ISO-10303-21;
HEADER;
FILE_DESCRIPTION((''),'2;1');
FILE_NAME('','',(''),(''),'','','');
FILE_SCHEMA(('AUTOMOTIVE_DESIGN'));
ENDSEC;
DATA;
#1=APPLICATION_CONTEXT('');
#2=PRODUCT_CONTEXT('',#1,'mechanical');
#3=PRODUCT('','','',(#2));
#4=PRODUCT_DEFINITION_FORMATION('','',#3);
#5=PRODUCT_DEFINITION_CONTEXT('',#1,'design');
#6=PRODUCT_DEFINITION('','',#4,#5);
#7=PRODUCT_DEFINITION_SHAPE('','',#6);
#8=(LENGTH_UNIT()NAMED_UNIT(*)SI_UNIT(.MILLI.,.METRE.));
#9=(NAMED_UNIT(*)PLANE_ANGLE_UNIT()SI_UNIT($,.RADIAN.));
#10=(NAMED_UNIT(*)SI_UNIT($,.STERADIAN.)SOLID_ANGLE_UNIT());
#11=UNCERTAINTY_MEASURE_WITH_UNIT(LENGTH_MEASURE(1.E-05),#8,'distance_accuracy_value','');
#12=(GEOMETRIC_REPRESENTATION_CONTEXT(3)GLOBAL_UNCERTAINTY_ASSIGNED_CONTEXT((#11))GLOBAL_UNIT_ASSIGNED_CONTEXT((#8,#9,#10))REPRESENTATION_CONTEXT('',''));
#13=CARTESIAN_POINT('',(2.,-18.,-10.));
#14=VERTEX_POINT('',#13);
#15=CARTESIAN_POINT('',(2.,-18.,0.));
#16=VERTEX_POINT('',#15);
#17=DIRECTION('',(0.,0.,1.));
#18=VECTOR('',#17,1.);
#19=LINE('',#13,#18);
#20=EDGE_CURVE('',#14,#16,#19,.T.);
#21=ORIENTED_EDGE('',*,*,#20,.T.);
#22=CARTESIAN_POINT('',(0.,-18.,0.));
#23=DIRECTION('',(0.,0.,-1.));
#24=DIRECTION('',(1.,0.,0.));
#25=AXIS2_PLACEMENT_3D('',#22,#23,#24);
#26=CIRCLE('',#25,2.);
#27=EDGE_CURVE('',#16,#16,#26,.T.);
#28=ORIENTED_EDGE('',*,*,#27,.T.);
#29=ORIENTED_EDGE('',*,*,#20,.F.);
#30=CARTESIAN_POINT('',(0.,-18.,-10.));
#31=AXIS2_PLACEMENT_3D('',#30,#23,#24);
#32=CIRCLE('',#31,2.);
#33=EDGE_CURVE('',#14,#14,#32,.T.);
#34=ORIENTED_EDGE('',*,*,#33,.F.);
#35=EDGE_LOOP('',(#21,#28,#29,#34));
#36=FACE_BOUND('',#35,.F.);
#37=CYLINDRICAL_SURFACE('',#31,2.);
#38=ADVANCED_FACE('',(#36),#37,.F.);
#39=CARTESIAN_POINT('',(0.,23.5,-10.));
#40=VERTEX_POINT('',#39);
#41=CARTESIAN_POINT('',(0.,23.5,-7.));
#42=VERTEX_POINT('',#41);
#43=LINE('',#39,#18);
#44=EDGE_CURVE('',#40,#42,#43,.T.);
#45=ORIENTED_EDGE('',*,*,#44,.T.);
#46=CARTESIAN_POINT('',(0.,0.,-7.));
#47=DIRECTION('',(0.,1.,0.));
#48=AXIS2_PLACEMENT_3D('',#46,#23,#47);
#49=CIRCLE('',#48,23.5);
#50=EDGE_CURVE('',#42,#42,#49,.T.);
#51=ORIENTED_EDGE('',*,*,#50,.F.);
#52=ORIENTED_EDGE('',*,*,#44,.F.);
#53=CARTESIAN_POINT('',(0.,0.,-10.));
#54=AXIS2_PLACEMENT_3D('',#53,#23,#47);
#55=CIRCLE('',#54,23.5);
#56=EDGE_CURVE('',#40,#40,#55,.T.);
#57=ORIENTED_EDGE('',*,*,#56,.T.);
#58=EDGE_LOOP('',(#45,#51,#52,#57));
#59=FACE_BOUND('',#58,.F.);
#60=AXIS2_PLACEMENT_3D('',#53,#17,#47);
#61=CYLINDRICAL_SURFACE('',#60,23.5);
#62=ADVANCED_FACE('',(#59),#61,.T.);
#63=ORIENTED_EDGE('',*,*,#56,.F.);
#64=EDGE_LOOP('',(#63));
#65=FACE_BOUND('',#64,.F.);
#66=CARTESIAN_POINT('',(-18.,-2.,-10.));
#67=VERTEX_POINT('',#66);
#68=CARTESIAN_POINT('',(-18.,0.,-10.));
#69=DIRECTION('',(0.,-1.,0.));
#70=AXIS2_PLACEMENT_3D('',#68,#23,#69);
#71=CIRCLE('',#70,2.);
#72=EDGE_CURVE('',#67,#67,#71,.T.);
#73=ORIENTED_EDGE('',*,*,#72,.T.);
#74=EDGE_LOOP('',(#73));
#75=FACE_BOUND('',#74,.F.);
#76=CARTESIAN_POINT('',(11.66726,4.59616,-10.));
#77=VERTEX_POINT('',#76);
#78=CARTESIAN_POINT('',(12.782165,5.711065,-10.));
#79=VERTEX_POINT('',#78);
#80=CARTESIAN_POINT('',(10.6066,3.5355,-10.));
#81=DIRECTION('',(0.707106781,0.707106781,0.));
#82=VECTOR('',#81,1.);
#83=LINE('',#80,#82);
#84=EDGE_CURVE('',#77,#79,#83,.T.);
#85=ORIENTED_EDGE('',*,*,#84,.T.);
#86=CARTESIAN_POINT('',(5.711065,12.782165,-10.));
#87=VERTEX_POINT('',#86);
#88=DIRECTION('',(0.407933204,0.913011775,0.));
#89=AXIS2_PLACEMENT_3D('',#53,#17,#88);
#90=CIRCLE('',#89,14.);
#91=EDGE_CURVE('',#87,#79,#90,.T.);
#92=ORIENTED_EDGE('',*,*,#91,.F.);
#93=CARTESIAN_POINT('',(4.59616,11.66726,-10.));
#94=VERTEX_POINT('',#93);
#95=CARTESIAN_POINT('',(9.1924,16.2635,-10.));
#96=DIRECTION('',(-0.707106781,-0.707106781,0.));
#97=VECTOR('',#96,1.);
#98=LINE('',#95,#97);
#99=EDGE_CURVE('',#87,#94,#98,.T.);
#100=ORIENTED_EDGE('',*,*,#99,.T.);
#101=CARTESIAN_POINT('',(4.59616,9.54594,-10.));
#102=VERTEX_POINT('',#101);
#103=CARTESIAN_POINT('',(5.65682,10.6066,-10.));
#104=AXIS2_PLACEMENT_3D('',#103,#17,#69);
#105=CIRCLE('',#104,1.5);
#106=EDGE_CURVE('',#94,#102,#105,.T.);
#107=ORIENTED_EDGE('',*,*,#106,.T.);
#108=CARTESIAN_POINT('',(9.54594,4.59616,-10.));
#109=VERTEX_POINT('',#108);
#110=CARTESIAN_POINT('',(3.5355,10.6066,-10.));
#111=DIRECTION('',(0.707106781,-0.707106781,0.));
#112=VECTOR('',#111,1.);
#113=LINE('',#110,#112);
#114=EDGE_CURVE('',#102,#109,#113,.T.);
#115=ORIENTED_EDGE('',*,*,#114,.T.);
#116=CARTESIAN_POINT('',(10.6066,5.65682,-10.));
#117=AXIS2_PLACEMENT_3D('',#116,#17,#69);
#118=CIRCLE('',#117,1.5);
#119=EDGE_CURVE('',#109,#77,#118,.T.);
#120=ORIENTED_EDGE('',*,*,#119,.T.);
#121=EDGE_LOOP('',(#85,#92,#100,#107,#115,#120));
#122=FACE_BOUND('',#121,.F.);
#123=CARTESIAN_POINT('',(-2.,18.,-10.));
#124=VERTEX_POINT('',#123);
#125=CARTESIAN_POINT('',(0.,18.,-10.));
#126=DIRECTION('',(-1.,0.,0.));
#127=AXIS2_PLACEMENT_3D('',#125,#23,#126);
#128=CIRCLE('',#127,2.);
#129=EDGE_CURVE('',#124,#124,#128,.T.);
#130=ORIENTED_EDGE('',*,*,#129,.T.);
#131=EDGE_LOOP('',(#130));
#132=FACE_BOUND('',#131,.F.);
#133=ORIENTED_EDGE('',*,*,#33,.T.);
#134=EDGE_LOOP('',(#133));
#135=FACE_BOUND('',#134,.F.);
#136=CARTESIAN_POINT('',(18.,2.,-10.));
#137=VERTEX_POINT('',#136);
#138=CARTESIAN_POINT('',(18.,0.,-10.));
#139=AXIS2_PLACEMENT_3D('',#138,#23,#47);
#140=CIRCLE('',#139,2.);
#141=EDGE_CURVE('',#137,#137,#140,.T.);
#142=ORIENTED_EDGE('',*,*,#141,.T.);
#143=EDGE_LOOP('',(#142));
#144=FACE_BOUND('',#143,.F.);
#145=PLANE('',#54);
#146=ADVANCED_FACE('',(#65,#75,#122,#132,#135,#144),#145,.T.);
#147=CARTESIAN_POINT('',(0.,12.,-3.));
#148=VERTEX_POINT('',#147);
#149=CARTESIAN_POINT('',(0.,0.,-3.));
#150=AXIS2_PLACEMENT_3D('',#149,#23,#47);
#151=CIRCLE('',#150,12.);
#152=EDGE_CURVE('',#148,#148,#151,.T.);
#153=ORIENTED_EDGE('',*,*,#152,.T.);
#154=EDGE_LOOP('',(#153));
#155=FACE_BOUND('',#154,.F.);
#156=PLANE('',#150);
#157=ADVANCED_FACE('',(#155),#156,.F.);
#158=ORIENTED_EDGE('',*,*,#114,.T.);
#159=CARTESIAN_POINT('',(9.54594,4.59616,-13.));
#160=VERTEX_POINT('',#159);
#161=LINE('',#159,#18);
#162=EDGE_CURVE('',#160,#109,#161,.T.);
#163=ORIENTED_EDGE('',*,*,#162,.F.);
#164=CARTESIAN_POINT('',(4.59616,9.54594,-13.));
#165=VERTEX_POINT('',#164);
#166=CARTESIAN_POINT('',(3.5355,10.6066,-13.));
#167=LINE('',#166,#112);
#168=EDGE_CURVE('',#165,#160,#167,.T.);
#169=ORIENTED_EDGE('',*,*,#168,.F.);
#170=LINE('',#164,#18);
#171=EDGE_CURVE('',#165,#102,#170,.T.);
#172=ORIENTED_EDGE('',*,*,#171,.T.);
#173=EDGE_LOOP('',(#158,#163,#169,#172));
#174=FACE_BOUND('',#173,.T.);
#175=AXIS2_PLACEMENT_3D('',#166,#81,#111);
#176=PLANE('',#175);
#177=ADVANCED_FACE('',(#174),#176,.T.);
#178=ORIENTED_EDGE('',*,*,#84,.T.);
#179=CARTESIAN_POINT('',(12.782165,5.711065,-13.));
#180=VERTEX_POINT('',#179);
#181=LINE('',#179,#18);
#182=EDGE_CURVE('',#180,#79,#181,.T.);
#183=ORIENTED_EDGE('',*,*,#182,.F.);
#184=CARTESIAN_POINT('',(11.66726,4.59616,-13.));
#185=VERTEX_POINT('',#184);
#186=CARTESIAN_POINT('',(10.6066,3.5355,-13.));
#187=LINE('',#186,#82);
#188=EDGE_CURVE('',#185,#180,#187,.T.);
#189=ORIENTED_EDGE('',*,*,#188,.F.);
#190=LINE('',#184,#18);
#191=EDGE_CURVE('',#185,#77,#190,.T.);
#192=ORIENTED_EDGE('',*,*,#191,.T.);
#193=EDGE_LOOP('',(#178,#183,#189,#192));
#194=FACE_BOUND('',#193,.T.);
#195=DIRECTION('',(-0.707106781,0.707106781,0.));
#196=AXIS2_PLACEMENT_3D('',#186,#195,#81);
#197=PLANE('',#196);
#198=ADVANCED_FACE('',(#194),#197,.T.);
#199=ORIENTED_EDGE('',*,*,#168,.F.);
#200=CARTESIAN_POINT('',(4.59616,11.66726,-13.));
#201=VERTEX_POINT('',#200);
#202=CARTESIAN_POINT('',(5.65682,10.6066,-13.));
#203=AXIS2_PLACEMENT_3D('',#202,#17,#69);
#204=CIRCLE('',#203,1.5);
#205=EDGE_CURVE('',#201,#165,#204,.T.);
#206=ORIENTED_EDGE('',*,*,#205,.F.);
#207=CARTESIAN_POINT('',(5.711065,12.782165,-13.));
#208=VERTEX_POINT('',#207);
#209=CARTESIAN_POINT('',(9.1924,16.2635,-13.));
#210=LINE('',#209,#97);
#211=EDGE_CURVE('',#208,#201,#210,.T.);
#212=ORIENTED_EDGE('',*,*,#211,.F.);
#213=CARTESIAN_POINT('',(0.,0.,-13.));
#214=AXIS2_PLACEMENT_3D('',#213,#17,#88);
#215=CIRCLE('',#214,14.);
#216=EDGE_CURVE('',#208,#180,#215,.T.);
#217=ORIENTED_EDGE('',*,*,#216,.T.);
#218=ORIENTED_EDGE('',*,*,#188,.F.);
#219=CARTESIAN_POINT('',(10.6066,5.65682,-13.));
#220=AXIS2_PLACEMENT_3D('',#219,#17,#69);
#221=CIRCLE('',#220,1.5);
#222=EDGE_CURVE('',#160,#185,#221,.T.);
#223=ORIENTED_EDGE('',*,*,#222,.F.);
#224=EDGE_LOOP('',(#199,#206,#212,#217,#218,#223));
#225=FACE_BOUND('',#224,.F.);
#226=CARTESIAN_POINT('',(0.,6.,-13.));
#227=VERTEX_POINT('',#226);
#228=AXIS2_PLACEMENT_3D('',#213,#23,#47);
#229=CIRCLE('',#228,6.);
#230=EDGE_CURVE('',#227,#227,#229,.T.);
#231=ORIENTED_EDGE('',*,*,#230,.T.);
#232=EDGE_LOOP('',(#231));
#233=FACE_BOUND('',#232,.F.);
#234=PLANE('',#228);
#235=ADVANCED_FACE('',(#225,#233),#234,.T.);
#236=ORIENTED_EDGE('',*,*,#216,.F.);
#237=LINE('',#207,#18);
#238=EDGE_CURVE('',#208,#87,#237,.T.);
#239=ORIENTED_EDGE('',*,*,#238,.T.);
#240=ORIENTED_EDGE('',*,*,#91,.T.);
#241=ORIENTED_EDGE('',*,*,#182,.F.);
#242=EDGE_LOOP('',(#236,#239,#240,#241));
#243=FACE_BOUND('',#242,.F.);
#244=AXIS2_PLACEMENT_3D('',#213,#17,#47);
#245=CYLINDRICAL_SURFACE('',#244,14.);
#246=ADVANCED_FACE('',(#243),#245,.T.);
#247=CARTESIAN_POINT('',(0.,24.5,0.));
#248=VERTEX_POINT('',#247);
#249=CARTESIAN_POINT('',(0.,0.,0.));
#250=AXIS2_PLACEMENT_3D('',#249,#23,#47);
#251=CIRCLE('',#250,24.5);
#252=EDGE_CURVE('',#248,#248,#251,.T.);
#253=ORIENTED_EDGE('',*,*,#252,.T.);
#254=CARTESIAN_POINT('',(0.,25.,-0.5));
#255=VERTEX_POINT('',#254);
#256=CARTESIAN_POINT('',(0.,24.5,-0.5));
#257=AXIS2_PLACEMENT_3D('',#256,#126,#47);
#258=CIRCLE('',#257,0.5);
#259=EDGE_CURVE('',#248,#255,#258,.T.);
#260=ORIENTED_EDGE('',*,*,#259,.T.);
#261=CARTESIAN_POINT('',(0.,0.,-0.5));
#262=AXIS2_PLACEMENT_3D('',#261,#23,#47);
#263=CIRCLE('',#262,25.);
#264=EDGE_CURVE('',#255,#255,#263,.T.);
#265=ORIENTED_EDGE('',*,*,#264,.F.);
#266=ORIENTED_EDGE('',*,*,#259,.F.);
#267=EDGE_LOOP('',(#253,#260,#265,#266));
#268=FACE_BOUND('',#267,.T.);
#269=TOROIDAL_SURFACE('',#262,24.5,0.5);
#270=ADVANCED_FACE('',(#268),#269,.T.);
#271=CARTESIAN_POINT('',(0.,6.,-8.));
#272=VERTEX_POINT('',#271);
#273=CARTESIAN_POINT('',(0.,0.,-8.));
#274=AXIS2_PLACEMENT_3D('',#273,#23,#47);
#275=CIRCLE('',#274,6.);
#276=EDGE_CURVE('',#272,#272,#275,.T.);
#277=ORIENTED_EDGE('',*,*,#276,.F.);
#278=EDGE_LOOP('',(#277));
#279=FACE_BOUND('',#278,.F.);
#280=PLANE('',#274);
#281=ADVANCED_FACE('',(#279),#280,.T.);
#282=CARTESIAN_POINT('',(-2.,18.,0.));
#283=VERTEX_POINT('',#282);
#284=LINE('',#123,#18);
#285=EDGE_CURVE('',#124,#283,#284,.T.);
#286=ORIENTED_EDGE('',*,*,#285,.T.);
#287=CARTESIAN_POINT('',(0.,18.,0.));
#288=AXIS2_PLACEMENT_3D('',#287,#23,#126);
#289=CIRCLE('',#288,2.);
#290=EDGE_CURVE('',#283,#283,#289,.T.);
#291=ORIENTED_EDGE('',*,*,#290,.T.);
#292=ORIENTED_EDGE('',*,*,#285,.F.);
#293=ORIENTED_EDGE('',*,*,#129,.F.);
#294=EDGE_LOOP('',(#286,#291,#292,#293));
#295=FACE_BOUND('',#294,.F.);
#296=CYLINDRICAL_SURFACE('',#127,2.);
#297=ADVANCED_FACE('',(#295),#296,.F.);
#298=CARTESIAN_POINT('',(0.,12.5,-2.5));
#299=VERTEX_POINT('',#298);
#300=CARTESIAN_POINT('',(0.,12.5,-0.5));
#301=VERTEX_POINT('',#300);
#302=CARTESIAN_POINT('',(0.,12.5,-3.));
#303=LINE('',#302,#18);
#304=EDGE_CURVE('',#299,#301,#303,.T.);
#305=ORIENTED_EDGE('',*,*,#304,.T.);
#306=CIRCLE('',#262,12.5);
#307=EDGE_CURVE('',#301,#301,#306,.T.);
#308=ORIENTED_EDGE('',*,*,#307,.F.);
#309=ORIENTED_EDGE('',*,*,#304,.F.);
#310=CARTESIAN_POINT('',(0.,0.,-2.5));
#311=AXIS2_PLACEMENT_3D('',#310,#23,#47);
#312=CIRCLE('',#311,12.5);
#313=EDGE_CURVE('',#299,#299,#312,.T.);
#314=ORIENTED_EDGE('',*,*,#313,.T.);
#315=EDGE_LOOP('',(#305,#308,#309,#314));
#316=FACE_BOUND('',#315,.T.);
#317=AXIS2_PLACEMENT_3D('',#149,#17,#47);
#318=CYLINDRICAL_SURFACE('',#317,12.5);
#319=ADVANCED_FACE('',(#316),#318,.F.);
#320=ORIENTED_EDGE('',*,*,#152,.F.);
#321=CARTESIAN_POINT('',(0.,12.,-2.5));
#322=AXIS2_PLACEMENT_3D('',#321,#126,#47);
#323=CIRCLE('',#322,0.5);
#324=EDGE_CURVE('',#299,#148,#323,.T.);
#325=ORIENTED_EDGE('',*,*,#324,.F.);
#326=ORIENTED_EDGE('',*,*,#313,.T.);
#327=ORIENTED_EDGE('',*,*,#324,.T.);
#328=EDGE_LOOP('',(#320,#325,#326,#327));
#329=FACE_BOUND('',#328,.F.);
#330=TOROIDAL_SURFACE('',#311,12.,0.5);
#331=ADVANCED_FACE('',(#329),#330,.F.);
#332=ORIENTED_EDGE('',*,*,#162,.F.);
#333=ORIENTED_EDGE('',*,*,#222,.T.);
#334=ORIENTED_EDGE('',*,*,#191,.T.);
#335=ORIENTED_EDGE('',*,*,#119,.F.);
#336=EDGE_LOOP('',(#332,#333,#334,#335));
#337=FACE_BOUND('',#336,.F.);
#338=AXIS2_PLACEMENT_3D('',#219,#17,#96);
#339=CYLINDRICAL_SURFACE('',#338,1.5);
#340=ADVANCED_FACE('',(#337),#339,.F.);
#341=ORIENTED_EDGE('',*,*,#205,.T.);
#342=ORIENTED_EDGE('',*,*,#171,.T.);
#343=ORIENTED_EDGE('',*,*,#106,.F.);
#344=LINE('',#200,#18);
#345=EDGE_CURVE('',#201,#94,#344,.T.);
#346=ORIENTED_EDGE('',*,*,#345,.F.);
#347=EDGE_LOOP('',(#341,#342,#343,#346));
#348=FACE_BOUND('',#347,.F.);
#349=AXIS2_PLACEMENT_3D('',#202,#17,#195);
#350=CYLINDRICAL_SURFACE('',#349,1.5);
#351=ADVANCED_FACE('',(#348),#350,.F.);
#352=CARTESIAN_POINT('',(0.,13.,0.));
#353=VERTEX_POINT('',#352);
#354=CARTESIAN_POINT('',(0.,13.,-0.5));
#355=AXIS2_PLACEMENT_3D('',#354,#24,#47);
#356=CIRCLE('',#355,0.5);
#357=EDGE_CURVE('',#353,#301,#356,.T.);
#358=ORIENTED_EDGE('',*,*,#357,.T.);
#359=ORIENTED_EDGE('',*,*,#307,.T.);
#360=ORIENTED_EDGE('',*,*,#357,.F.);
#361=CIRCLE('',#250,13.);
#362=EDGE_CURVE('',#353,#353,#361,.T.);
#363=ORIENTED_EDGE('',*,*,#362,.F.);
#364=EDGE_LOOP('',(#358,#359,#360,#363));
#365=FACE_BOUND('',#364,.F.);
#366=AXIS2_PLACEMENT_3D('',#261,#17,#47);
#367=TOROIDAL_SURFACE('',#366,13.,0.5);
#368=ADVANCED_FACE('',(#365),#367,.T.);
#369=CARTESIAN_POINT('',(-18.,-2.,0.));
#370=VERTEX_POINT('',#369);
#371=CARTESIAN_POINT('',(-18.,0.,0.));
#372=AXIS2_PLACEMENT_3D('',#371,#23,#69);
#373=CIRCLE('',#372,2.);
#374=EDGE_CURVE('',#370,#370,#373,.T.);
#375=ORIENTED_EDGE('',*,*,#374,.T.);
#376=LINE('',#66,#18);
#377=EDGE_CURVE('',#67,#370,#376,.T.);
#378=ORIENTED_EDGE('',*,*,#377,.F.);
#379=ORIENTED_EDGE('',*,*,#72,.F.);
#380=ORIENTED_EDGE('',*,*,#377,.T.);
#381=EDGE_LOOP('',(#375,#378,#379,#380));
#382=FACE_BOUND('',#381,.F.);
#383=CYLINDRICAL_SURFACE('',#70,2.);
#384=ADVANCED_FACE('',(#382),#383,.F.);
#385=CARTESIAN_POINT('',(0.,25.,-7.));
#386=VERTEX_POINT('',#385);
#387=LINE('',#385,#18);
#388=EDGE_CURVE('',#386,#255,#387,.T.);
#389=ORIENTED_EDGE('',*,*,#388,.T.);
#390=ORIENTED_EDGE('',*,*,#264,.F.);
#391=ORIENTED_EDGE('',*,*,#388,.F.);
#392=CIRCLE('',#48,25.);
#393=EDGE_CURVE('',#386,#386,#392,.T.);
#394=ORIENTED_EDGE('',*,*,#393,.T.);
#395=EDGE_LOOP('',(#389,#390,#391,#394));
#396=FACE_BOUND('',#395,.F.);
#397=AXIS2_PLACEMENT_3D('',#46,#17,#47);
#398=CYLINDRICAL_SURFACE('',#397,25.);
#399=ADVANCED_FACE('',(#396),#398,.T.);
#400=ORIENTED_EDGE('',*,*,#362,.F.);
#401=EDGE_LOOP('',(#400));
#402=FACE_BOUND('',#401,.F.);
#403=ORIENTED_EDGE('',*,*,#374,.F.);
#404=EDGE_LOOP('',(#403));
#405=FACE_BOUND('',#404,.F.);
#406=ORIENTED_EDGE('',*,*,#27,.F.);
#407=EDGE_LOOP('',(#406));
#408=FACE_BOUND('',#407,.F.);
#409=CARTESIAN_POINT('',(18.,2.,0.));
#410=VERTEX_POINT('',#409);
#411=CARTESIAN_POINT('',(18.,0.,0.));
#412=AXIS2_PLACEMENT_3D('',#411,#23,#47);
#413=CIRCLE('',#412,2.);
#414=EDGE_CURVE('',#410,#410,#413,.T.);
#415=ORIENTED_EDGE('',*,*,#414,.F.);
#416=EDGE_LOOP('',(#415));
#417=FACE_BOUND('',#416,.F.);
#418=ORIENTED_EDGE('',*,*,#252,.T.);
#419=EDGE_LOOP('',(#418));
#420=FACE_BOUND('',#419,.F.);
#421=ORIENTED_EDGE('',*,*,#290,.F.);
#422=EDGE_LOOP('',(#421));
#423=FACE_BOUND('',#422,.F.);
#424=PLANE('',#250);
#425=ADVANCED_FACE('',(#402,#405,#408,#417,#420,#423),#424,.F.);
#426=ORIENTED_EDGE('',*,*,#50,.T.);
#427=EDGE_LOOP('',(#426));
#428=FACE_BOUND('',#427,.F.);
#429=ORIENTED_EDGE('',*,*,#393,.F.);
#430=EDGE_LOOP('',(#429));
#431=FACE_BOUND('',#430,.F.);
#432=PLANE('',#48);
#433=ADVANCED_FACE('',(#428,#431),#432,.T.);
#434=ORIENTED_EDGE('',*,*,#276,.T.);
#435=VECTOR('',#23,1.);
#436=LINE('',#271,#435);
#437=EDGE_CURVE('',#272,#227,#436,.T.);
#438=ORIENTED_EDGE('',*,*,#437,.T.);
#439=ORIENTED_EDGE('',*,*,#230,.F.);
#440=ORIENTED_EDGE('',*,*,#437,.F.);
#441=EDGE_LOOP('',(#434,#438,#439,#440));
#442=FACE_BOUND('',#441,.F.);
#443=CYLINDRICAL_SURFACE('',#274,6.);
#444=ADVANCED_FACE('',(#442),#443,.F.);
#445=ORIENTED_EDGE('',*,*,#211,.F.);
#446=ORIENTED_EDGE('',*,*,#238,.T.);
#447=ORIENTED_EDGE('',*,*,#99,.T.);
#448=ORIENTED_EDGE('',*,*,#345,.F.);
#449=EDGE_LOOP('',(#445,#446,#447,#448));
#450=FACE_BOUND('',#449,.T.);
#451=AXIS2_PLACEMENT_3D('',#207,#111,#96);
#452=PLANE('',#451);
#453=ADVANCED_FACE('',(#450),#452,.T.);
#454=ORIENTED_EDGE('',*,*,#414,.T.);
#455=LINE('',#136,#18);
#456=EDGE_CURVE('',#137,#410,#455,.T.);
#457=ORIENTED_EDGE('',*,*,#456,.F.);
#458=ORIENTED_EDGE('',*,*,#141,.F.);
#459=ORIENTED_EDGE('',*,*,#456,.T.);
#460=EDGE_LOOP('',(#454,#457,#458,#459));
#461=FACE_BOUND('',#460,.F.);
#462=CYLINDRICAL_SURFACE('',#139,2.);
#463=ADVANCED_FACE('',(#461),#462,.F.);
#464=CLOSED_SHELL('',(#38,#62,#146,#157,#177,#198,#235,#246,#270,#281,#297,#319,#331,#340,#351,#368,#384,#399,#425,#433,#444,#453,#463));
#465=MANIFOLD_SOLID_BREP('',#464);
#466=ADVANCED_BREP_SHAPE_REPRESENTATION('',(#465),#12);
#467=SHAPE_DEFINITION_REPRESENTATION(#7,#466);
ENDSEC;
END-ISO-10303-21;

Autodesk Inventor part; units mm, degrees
ref_plane "YZ Plane" through (0, 0, 0) normal (1, 0, 0) x (0, 1, 0)
ref_plane "XZ Plane" through (0, 0, 0) normal (0, 1, 0) x (-1, 0, 0)
ref_plane "XY Plane" through (0, 0, 0) normal (0, 0, 1) x (1, 0, 0)
sketch "Skizze1" plane through (0, 0, 0) normal (1, 0, 0) x (0, 1, 0)
  line L0 (12.5, 3) -> (12.5, -3) construction
  line L1 (-12.5, -3) -> (-12.5, 3) construction
  line L2 (6, 26.2642) -> (6, -26.2642) construction
  line L3 (-6, -26.2642) -> (-6, 26.2642) construction
  line L4 (14, 26.2642) -> (14, -26.2642) construction
  line L5 (-14, -26.2642) -> (-14, 26.2642) construction
  line L6 (23.5, 26.2642) -> (23.5, -26.2642) construction
  line L7 (-23.5, -26.2642) -> (-23.5, 26.2642) construction
  line L8 (12.5, -3) -> (0, -3)
  line L9 (0, -3) -> (0, -8)
  line L10 (0, -8) -> (6, -8)
  line L11 (6, -8) -> (6, -13)
  line L12 (6, -13) -> (14, -13)
  line L13 (14, -13) -> (14, -10)
  line L14 (25, 26.2642) -> (25, -26.2642) construction
  line L15 (-25, -26.2642) -> (-25, 26.2642) construction
  line L16 (14, -10) -> (23.5, -10)
  line L17 (23.5, -10) -> (23.5, -7)
  line L18 (23.5, -7) -> (25, -7)
  line L19 (25, -7) -> (25, 0)
  line L20 (12.5, -3) -> (12.5, 0)
  line L21 (25, 0) -> (12.5, 0)
  point P0 (0, 0)
  dimension "d1" = 6
  dimension "d5" = 5
  dimension "d6" = 6
  dimension "d7" = 5
  dimension "d8" = 3
  dimension "d9" = 47
  dimension "d10" = 50
  dimension "d11" = 3
revolve "Umdrehung1" add sketch "Skizze1" angle 360 about axis through (0, 0, -3) along (0, 0, -1)
sketch "Skizze2" plane through (0, 0, -10) normal (0, 0, -1) x (-1, 0, 0)
  circle A0 centre (0, 0) radius 18 construction
  circle A1 centre (0, 18) radius 2
  dimension "d13" = 36
  dimension "d14" = 4
extrude "Extrusion1" cut sketch "Skizze2" against normal up to surface (10 mm away)
pattern_circular "Runde Anordnung1" count 4 over 360 about axis through (0, 0, -10.5) along (0, 0, -1) of "Extrusion1"
sketch "Skizze3" plane through (0, 0, -13) normal (0, 0, -1) x (-1, 0, 0)
  line L0 (0, 0) -> (-21.5822, 21.5822) construction
  line L1 (0, 0) -> (30.5219, 0) construction
  line L2 (-16.2635, 9.1924) -> (-9.1924, 16.2635)
  line L3 (-9.1924, 16.2635) -> (-3.5355, 10.6066)
  line L4 (-3.5355, 10.6066) -> (-10.6066, 3.5355)
  line L5 (-10.6066, 3.5355) -> (-16.2635, 9.1924)
  circle A0 centre (0, 0) radius 14 projected
  line L6 (-16.2635, 9.1924) -> (-3.5355, 10.6066) construction
  line L7 (-9.1924, 16.2635) -> (-10.6066, 3.5355) construction
  point P0 (-9.8995, 9.8995)
  point P1 (-5.7111, 12.7822)
  point P2 (-12.7822, 5.7111)
  dimension "d20" = 135
  dimension "d21" = 10
  dimension "d22" = 8
extrude "Extrusion2" cut sketch "Skizze3" against normal up to surface (3 mm away) contours A0 L3 L4 L5 picked at (-7.5887, 8.3902)
fillet "Rundung1" radius 1.5 2 edges at (3.5355, 10.6066, -11.5) (10.6066, 3.5355, -11.5)
fillet "Rundung2" radius 0.5 3 edges at (0, -12.5, 0) (0, -12.5, -3) (0, -25, 0)
properties part number "sf_Cylinder_Front_Lid_1"
